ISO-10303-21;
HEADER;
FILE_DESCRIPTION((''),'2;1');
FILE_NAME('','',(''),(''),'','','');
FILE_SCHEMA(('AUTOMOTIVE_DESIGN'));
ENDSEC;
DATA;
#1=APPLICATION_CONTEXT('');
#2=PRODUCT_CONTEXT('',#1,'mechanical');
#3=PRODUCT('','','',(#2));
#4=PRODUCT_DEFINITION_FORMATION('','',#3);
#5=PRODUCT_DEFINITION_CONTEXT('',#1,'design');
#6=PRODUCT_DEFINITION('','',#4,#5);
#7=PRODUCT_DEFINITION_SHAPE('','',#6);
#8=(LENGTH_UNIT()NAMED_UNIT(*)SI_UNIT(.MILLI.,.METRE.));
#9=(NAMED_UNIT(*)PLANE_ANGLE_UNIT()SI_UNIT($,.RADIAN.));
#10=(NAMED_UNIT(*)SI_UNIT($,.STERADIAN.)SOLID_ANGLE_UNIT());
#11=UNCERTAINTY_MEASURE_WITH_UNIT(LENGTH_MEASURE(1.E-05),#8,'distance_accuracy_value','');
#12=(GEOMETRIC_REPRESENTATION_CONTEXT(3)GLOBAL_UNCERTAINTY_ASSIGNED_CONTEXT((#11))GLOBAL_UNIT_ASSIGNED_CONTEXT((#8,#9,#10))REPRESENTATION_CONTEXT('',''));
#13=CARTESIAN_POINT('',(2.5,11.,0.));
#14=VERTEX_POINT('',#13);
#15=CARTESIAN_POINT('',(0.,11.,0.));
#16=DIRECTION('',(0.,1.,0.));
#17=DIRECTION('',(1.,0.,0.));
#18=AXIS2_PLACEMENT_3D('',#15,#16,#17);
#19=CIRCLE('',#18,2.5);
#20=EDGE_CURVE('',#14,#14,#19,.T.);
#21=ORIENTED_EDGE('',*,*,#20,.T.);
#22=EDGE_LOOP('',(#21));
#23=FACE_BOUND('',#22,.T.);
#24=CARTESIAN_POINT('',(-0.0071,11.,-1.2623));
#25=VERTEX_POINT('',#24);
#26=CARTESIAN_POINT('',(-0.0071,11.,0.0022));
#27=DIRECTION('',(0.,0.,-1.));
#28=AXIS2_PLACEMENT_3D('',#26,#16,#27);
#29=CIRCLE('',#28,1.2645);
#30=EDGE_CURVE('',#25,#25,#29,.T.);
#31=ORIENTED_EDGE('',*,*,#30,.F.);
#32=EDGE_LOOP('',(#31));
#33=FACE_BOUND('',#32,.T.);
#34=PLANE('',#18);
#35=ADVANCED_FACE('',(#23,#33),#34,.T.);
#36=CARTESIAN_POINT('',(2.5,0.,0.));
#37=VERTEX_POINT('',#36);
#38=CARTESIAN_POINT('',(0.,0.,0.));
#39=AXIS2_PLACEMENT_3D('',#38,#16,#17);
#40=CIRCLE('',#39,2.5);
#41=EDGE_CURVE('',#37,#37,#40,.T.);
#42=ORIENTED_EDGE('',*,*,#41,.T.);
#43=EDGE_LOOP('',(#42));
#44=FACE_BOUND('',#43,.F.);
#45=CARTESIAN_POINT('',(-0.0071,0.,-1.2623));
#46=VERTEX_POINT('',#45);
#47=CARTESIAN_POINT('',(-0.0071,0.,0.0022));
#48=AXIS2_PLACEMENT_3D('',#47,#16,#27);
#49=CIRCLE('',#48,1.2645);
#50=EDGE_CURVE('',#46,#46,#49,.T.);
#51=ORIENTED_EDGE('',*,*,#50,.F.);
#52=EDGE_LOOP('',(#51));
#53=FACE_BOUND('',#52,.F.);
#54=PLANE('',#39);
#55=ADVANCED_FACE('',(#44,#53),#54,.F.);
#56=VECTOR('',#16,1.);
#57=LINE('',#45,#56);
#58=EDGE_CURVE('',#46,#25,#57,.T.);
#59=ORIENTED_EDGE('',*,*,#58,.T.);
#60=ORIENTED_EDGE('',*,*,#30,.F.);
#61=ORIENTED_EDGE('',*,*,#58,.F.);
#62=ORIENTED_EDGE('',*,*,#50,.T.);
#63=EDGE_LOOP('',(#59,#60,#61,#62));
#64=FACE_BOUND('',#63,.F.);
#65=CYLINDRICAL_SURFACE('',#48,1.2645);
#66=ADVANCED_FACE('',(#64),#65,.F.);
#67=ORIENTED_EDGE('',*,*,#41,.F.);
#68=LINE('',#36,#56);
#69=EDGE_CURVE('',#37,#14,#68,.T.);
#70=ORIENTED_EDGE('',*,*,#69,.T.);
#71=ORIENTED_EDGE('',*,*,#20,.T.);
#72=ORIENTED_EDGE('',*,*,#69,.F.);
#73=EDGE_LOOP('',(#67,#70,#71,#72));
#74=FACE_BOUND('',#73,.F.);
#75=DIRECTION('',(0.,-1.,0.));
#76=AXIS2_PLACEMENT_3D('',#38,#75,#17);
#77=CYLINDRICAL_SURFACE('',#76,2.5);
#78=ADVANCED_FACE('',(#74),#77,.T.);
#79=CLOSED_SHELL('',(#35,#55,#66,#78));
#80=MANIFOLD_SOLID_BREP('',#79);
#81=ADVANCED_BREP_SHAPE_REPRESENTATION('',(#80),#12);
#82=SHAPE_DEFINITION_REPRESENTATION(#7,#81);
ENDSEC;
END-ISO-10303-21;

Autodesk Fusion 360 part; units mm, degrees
sketch "Sketch1" plane through (0, 0, 0) normal (0, 1, 0) x (1, 0, 0)
  circle A0 centre (0, 0) radius 2.5
  dimension "d1" = 5
extrude "Extrude2" add sketch "Sketch1" along normal blind 11
hole "Hole2" at (-0.0071, 0, 0.0022) direction (0, 1, 0) diameter 2.529 end through all
